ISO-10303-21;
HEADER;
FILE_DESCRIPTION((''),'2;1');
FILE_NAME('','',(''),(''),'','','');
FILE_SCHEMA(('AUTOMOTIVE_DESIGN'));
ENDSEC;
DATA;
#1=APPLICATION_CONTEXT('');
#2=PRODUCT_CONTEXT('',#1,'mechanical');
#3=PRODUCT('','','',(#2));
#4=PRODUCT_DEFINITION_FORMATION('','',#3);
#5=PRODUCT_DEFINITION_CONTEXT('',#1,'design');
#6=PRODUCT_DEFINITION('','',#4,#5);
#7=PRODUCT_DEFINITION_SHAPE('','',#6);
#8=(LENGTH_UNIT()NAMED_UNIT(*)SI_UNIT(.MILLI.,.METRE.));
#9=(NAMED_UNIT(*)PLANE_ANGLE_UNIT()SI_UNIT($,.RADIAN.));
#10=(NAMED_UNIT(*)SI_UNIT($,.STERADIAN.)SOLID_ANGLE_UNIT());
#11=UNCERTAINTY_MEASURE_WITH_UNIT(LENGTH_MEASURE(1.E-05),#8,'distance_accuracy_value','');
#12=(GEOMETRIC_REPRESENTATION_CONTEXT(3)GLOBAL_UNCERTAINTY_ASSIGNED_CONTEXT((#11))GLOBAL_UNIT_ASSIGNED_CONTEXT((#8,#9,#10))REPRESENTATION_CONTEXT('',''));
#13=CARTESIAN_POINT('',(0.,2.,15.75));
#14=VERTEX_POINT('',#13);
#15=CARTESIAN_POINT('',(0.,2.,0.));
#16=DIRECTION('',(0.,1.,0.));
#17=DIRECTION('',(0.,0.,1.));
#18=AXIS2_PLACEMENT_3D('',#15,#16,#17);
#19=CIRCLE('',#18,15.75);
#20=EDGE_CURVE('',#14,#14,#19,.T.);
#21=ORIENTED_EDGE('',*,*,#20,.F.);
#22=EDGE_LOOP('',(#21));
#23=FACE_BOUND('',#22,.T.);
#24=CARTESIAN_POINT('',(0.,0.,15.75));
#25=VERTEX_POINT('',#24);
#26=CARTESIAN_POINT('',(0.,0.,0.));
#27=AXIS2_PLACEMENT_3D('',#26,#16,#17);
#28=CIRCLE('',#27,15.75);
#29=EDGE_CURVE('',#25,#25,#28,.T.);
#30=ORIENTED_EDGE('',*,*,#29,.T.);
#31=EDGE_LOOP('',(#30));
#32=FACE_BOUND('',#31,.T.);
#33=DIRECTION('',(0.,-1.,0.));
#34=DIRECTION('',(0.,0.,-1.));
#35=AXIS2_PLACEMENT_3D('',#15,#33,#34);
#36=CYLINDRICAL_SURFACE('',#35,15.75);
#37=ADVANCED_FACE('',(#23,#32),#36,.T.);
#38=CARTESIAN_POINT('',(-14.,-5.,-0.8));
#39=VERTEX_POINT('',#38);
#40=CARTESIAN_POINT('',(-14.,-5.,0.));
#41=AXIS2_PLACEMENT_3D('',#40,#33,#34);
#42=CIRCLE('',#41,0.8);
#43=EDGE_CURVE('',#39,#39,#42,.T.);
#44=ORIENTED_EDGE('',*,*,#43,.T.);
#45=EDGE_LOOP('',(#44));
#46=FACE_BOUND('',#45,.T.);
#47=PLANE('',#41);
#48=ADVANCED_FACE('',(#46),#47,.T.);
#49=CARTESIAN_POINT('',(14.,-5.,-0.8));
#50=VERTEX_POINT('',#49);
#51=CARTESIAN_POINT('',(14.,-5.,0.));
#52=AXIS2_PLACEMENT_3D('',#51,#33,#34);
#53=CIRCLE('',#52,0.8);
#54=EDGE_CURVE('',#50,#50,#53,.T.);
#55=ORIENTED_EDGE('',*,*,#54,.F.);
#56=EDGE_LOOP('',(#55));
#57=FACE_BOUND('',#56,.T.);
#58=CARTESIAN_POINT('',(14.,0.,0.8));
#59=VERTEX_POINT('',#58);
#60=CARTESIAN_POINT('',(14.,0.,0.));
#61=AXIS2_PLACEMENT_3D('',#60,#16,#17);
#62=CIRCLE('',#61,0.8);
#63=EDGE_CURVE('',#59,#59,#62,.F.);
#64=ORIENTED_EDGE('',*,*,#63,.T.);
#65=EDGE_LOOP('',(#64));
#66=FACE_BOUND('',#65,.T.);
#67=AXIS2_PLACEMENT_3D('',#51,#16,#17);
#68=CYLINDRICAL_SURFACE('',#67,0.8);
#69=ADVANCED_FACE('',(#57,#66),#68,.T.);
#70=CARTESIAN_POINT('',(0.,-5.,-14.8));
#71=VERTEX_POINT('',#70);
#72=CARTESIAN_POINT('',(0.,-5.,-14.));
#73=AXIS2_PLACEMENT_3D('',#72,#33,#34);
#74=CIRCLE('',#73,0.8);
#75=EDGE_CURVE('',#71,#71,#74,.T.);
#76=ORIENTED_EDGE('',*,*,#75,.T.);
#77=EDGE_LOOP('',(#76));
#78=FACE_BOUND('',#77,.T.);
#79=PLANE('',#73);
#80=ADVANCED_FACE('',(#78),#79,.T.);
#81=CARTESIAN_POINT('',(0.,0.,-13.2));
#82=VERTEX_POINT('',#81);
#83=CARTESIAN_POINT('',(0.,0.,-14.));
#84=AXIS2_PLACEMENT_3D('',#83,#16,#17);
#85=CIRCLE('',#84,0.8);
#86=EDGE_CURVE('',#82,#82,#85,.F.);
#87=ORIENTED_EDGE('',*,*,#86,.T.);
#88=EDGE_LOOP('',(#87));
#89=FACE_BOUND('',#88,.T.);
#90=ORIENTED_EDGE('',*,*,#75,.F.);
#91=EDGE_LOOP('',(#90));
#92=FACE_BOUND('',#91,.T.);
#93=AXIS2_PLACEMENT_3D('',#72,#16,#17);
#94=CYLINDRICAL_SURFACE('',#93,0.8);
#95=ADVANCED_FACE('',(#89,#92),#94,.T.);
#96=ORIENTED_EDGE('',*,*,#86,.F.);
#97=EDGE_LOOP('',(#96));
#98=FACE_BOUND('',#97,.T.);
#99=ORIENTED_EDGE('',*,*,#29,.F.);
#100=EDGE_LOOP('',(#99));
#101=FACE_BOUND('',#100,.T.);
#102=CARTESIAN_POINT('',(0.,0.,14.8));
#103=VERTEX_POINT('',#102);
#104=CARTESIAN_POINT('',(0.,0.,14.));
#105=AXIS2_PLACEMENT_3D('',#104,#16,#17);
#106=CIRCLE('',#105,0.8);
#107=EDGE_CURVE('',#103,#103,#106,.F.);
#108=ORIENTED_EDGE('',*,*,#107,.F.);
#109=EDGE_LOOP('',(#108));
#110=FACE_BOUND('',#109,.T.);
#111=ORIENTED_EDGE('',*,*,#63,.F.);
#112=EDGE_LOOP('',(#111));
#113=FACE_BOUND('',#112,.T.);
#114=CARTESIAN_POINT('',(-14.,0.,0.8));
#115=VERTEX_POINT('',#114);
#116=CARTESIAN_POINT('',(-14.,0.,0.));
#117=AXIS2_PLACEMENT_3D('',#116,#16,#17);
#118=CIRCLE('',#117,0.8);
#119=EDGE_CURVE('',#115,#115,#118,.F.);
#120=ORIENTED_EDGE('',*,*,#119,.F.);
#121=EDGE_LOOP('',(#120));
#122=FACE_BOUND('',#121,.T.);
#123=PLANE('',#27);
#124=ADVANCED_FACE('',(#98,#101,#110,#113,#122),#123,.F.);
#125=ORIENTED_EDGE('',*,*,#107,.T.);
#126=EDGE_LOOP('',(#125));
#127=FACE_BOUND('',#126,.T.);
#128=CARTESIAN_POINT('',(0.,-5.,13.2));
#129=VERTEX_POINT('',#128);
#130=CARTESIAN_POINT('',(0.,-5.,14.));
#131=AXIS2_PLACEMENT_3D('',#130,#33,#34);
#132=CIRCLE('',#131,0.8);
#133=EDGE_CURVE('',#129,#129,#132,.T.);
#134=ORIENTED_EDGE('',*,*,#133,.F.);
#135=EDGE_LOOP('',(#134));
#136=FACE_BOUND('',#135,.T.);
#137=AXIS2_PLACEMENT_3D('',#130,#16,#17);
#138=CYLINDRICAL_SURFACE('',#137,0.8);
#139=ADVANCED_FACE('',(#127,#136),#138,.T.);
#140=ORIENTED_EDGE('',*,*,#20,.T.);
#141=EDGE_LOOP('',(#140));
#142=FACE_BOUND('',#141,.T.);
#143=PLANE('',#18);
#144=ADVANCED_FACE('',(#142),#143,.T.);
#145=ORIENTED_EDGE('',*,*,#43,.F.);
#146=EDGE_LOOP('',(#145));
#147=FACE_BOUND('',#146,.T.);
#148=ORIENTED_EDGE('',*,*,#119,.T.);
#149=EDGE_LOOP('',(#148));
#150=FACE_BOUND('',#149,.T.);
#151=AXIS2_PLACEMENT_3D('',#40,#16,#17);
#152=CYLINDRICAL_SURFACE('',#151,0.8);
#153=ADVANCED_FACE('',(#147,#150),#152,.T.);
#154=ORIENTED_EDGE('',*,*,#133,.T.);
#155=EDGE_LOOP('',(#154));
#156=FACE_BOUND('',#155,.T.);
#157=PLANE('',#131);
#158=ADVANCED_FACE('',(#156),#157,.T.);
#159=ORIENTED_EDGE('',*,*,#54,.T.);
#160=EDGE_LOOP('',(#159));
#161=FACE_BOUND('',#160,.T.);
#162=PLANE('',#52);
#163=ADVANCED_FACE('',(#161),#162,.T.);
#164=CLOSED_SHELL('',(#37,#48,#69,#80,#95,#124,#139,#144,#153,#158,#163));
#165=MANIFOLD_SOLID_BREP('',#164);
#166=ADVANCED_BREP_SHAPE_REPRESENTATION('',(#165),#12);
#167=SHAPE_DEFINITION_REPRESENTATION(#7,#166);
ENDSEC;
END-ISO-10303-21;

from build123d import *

# Parameters (mm, degrees)
SKETCH7_R           = 15.75
BOSS_EXTRUDE5_DEPTH = 2
SKETCH8_R           = 0.8
BOSS_EXTRUDE6_DEPTH = 5


with BuildPart() as part:
    # Sketch7 → Boss-Extrude5 (new body)
    with BuildSketch(Plane(origin=(0, 0, 0), x_dir=(1, 0, 0), z_dir=(0, 1, 0))):
        with Locations(Location((0, 0, 0), (0, 0, 270))):
            Circle(SKETCH7_R)
    extrude(amount=BOSS_EXTRUDE5_DEPTH)

    # Sketch8 → Boss-Extrude6 (add)
    with BuildSketch(Plane.XZ):
        with Locations(Location((0, 14, 0), (0, 0, 90))):
            Circle(SKETCH8_R)
        with Locations(Location((14, 0, 0), (0, 0, 90))):
            Circle(SKETCH8_R)
        with Locations(Location((0, -14, 0), (0, 0, 90))):
            Circle(SKETCH8_R)
        with Locations(Location((-14, 0, 0), (0, 0, 90))):
            Circle(SKETCH8_R)
    extrude(amount=BOSS_EXTRUDE6_DEPTH)


solid = part.part
